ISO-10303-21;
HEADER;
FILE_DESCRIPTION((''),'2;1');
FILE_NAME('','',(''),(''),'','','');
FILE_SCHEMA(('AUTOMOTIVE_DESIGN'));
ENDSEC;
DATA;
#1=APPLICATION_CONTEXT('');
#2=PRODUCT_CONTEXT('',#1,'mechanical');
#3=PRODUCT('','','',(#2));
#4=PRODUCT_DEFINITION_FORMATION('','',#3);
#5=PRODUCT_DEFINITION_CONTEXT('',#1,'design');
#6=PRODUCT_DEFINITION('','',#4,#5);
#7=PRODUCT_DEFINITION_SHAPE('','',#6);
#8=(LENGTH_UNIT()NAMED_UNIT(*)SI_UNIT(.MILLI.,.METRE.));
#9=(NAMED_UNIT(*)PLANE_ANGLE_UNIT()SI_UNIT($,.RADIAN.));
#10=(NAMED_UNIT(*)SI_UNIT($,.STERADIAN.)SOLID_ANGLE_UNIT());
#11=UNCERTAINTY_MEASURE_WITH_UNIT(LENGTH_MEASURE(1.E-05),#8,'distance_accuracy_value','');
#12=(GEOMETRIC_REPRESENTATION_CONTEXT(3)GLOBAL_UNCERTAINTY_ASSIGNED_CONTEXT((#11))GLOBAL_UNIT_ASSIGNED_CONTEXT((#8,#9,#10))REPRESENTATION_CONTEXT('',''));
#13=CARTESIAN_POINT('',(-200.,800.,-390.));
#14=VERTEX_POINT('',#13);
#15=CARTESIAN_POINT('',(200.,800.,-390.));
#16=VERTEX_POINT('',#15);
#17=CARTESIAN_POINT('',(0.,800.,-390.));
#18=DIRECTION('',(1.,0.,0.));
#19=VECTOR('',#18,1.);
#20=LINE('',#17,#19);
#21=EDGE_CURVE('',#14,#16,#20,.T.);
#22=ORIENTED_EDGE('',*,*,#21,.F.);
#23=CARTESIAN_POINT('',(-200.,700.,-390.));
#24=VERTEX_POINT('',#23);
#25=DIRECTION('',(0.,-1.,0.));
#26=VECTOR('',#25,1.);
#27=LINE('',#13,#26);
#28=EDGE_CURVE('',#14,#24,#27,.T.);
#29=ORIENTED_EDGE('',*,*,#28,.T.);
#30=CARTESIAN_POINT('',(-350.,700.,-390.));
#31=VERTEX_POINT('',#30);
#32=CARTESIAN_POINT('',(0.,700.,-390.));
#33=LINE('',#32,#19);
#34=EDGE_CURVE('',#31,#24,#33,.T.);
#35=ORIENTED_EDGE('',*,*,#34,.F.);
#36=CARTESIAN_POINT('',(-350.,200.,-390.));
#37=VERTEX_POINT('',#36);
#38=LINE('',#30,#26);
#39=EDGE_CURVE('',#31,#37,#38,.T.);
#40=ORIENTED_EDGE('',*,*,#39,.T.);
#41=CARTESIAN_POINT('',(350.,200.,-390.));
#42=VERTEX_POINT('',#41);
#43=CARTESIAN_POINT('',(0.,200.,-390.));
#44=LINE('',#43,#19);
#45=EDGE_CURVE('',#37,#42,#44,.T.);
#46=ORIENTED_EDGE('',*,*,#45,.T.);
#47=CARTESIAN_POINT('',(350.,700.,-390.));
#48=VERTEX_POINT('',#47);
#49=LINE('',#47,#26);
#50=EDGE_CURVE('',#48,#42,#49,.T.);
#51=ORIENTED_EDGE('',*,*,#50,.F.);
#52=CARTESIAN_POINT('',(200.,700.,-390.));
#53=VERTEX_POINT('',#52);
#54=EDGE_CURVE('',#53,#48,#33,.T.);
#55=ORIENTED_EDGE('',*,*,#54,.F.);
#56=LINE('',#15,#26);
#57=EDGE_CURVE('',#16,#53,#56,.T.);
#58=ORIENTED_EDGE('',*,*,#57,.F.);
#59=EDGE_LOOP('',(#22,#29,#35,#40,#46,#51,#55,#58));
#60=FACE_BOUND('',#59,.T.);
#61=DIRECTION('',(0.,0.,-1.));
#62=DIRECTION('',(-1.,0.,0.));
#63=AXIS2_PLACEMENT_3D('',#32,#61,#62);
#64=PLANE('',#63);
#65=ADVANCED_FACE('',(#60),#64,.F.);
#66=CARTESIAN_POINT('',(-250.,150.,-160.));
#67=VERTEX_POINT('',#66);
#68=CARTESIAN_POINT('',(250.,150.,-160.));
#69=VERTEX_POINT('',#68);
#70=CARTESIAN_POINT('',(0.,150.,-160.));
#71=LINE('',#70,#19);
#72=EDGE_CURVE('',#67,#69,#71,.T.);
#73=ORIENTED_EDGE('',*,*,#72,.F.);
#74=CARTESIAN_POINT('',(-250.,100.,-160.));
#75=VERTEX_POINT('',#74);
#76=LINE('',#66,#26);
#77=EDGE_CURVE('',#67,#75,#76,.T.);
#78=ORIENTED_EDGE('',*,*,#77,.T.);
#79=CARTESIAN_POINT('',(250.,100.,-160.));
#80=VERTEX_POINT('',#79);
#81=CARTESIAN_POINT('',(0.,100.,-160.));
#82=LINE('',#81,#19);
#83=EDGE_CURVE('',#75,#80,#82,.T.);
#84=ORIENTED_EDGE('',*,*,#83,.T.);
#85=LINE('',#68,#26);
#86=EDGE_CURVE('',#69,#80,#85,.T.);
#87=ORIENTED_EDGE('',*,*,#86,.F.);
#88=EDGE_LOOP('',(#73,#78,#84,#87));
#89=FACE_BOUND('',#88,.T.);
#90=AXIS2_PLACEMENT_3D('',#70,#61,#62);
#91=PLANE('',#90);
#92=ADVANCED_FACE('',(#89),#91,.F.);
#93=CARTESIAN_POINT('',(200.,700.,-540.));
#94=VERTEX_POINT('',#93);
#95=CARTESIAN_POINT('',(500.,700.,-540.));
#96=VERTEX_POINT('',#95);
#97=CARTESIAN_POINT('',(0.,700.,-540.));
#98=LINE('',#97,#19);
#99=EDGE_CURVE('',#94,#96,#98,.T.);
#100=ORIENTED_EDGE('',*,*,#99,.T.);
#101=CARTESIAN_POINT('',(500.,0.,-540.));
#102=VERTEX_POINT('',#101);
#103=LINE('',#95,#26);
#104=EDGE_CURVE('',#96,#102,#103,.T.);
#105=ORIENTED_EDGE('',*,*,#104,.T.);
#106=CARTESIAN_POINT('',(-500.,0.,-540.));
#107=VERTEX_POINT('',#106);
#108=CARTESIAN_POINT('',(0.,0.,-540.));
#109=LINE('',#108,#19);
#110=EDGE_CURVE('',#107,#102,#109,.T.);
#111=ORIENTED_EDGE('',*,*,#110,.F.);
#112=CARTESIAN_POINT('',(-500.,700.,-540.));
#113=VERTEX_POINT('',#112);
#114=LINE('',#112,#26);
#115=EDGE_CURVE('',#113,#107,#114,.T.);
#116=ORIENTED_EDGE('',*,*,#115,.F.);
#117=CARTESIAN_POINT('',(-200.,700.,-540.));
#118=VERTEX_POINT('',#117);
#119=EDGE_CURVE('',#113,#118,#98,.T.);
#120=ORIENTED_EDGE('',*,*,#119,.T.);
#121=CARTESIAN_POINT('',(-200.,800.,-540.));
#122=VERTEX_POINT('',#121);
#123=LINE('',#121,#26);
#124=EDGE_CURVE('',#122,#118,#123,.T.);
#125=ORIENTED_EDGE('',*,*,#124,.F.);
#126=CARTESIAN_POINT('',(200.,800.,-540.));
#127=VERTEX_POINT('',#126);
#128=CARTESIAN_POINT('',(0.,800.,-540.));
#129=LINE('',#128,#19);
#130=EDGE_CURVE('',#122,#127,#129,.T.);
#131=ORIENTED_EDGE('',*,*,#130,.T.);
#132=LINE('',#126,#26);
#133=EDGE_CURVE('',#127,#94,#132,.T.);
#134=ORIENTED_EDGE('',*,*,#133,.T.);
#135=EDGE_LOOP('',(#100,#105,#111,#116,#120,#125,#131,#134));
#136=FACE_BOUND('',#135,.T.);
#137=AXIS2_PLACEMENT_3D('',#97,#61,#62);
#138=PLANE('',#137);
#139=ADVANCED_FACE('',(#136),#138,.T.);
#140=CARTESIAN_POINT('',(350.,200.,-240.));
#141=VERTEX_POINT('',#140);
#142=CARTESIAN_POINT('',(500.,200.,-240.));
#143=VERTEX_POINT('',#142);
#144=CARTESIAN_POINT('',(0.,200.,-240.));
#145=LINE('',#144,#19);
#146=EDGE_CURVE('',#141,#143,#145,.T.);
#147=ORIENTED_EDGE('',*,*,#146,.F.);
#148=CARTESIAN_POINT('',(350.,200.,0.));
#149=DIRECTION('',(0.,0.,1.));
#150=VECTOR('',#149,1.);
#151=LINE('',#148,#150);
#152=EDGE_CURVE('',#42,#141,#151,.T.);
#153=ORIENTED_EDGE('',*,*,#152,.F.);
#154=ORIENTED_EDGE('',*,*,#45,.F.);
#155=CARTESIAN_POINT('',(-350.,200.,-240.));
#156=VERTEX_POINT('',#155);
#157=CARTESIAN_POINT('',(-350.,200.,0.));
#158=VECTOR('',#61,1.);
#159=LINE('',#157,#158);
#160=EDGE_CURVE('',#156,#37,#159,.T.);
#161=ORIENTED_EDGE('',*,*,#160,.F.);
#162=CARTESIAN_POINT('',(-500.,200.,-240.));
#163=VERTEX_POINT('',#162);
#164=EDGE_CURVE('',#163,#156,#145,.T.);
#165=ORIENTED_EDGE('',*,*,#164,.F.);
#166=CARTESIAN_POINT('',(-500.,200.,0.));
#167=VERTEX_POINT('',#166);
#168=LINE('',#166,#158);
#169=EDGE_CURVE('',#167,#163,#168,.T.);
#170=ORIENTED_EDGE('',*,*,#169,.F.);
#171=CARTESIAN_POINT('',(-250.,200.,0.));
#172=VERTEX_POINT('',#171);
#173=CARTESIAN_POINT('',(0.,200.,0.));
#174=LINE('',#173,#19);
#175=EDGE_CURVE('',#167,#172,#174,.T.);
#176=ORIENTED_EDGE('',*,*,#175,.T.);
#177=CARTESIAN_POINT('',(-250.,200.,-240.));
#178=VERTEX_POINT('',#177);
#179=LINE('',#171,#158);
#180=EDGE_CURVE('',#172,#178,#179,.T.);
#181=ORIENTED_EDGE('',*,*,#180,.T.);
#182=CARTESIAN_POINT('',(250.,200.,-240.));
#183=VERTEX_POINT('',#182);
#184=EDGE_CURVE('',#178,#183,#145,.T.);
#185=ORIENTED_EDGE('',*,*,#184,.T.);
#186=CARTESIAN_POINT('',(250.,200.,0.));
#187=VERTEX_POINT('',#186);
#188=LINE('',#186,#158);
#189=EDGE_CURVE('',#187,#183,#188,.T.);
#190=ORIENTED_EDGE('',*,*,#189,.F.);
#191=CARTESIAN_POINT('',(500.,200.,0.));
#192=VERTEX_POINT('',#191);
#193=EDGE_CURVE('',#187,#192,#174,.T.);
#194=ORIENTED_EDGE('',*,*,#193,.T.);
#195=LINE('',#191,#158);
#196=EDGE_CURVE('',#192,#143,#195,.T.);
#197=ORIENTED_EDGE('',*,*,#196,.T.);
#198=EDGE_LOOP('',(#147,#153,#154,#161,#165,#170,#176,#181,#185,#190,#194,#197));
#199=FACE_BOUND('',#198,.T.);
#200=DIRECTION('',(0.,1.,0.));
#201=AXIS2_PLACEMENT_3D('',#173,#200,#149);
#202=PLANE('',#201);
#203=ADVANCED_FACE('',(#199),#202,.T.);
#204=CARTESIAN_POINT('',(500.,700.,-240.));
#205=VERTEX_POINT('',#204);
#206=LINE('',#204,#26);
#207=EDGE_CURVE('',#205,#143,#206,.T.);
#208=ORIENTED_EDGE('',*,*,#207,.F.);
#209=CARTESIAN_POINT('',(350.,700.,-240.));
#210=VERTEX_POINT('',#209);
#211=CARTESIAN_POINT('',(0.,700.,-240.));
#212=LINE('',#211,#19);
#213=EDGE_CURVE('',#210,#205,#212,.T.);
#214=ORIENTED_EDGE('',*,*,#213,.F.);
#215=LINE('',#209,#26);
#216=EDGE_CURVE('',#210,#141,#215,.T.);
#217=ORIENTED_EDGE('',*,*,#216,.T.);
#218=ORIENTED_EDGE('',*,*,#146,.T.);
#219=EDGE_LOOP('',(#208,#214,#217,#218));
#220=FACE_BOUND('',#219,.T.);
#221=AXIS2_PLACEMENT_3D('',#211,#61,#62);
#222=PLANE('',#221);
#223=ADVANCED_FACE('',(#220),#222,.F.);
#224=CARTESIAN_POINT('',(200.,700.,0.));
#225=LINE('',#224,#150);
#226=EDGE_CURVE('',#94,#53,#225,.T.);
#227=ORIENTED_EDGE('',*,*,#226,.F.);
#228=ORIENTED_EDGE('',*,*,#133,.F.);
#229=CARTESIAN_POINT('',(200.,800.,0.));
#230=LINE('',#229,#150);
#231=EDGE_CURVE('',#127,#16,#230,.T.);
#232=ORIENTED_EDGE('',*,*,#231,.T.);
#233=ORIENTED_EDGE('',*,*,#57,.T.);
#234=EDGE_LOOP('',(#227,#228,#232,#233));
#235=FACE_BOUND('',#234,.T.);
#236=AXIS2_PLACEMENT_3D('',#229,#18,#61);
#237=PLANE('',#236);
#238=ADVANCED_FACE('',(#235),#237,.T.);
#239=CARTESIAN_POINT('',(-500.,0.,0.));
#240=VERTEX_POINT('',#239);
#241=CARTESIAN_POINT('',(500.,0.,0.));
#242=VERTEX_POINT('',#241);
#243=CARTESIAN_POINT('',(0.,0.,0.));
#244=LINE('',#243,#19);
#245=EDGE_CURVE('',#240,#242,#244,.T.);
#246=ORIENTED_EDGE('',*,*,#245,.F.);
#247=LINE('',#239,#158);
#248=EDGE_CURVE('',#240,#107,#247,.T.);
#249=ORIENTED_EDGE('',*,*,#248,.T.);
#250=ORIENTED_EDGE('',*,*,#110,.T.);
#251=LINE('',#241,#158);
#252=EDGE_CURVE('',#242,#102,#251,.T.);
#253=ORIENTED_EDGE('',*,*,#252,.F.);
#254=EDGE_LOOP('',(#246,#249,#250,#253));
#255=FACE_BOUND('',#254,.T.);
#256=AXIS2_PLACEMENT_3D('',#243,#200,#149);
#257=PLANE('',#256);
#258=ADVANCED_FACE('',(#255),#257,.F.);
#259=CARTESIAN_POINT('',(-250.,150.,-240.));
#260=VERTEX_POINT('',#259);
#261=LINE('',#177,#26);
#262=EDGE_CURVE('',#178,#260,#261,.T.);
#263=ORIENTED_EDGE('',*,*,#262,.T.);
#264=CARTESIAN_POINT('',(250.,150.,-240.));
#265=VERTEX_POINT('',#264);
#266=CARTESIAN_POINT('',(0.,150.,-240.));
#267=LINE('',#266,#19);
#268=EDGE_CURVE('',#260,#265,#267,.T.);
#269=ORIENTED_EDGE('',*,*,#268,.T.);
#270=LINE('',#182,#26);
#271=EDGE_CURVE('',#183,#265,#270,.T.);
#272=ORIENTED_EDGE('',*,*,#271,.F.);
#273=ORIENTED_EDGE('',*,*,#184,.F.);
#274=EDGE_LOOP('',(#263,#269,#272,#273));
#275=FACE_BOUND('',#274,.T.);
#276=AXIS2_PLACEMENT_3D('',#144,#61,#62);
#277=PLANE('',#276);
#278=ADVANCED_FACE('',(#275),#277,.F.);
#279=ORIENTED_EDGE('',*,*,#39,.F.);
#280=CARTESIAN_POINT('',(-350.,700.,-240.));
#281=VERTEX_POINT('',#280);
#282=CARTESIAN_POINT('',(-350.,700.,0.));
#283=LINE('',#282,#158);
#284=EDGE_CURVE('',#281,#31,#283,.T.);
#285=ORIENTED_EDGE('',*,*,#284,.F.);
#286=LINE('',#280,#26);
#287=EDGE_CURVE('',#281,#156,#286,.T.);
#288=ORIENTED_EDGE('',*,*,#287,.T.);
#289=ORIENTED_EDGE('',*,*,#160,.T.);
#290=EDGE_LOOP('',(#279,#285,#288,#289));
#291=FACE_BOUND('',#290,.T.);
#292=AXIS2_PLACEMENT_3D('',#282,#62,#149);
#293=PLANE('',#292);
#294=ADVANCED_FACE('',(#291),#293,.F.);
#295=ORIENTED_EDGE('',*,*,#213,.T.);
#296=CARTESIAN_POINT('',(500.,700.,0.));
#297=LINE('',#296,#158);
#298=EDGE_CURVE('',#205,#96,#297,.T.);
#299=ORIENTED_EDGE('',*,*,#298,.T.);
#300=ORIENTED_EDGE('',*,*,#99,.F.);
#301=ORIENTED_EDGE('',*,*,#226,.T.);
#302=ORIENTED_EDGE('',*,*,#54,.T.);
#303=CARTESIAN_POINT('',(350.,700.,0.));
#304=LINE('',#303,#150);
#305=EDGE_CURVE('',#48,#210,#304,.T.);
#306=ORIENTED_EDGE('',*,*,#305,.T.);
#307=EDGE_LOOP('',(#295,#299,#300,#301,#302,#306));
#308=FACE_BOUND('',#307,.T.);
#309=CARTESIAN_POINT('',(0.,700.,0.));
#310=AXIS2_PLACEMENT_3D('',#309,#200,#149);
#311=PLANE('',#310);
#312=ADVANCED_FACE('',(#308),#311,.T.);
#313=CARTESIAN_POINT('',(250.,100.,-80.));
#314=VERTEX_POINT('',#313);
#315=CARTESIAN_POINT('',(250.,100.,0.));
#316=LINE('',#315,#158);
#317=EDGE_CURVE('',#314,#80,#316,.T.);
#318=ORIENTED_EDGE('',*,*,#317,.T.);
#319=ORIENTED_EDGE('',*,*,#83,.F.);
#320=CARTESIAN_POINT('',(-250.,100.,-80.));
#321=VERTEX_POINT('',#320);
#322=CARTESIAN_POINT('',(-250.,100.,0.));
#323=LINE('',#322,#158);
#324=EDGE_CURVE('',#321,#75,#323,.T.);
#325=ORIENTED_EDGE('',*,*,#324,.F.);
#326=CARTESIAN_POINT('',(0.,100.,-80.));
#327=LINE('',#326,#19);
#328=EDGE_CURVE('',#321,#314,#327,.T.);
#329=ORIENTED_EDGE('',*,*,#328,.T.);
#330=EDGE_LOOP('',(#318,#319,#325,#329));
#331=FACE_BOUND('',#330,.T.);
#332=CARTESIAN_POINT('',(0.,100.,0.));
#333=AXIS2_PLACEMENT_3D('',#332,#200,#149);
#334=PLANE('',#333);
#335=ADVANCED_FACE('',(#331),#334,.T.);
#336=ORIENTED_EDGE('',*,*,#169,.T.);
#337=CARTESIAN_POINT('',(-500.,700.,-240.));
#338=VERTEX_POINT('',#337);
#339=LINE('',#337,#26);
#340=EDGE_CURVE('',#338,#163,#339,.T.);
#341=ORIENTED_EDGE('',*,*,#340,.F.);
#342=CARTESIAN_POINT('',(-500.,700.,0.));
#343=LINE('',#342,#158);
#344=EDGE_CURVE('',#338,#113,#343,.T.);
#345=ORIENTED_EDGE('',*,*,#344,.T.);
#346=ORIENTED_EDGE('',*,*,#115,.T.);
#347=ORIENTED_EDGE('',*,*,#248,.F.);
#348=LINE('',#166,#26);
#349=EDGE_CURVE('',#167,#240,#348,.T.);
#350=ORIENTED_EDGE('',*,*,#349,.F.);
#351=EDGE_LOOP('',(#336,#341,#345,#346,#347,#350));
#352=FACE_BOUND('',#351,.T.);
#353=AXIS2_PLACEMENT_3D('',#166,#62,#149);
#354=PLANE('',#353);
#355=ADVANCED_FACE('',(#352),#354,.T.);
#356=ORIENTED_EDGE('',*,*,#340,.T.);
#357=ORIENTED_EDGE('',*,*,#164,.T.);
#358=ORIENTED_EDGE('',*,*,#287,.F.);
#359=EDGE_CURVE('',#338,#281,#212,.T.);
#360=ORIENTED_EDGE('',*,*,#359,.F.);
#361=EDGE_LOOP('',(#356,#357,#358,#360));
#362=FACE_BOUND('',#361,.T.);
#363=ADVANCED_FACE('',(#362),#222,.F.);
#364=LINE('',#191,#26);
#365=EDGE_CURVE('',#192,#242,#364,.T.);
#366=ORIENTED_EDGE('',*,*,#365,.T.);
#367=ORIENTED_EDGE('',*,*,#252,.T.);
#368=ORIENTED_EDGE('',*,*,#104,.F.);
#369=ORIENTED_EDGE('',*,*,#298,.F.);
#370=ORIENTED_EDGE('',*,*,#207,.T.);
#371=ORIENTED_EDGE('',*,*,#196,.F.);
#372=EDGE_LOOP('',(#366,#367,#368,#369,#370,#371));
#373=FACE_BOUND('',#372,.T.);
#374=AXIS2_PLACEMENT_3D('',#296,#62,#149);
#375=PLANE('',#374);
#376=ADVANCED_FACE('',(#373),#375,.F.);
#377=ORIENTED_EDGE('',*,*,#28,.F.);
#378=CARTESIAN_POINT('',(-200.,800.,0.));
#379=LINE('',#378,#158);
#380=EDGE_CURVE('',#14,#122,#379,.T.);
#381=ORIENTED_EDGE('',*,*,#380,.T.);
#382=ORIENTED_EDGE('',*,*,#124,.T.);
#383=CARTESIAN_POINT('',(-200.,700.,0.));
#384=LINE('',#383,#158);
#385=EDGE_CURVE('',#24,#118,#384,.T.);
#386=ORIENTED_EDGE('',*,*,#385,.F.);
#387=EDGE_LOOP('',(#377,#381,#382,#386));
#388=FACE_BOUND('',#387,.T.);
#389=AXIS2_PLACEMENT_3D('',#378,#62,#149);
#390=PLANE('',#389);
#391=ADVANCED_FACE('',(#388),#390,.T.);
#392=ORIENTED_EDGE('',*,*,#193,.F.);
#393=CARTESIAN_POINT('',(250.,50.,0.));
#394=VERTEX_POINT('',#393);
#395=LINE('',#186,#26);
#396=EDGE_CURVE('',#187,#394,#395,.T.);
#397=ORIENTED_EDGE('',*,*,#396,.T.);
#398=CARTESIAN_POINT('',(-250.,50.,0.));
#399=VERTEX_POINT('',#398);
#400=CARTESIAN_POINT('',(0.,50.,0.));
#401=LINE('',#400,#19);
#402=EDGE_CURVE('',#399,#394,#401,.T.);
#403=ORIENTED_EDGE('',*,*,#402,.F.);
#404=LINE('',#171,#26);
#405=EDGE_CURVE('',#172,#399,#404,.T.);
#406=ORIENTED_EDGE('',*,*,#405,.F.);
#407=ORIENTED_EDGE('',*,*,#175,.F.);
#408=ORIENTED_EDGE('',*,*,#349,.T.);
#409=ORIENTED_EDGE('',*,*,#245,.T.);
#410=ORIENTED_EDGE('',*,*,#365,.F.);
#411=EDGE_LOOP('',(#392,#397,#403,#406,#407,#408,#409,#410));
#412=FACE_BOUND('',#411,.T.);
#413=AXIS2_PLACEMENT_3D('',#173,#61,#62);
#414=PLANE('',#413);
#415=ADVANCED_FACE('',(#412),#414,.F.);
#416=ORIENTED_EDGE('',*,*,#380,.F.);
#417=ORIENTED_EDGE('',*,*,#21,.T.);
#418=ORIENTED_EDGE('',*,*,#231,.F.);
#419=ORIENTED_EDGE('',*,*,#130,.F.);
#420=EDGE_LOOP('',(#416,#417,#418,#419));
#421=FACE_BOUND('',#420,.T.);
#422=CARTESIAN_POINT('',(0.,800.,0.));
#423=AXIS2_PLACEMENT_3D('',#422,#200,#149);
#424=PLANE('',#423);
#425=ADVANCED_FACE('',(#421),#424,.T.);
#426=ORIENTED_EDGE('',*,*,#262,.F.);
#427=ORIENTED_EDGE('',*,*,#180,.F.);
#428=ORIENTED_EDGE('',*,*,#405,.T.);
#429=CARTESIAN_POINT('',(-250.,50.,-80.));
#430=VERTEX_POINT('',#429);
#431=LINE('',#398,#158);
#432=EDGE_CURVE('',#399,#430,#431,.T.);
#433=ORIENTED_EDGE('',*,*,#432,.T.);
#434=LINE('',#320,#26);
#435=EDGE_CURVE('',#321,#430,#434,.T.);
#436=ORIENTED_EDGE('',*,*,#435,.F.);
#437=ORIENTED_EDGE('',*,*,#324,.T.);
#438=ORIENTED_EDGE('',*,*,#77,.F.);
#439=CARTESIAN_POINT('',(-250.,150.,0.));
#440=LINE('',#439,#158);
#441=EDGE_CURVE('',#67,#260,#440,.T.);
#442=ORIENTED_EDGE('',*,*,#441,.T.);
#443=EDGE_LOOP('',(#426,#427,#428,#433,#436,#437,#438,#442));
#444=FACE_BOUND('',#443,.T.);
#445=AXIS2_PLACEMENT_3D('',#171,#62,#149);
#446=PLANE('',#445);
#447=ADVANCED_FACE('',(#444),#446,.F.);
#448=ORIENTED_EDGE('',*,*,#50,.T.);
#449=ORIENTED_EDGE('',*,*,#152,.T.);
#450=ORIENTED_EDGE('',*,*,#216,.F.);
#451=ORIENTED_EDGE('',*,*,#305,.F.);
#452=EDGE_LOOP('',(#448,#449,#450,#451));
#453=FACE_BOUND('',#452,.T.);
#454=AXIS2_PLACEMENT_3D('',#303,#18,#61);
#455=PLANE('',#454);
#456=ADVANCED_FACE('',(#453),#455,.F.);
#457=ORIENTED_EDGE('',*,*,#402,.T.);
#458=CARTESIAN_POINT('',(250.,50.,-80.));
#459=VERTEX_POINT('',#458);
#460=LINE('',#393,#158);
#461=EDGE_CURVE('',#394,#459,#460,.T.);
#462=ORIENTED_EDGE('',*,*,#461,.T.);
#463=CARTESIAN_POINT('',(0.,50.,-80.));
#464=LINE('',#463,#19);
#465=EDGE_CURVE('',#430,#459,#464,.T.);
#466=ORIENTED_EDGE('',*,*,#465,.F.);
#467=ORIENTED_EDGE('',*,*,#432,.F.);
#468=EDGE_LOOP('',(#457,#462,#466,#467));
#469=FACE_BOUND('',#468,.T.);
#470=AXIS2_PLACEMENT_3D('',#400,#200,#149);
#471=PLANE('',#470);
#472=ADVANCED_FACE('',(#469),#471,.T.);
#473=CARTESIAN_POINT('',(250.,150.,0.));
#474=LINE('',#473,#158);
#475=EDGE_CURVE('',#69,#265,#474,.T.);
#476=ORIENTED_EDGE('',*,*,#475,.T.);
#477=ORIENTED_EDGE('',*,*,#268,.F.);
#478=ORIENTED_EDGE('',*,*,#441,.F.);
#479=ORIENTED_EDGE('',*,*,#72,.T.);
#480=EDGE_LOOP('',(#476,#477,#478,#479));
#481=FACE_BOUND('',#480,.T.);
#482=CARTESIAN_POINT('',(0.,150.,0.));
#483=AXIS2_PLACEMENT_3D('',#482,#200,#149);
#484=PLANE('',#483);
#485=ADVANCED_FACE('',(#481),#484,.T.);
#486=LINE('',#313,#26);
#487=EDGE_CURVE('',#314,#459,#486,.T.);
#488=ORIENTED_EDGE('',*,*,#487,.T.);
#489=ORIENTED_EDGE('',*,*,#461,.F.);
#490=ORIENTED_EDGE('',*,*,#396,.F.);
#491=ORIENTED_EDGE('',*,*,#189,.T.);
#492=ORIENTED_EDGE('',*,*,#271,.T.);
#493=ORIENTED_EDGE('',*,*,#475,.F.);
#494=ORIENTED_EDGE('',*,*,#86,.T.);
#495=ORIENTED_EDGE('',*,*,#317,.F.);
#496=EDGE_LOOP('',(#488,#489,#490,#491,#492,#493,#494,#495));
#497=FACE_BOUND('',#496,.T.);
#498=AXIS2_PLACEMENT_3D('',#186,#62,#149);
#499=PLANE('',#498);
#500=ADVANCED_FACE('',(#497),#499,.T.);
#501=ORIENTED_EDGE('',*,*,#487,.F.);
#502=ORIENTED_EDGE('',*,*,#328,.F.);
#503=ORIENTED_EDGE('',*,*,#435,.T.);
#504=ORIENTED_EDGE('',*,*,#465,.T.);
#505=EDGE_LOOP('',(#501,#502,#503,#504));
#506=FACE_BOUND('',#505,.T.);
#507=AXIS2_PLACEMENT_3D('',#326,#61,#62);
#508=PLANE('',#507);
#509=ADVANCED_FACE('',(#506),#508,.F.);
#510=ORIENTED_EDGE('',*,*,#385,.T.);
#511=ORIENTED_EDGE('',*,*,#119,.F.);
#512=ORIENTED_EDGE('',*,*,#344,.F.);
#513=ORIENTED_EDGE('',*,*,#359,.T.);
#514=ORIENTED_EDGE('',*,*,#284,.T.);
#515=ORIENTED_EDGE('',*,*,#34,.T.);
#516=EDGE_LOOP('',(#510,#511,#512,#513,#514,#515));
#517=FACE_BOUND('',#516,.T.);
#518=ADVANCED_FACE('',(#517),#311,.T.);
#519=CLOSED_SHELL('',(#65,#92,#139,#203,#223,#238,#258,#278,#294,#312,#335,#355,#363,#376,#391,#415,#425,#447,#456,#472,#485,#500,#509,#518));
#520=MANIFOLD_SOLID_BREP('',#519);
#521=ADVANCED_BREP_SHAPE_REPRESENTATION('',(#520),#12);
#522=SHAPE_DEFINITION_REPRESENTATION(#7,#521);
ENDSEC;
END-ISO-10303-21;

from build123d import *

# Parameters (mm, degrees)
BOSS_EXTRUDE1_DEPTH   = 700
BOSS_EXTRUDE1_2_DEPTH = 700
BOSS_EXTRUDE2_DEPTH   = 200
SKETCH1_4_W           = 400
SKETCH1_4_H           = 150
BOSS_EXTRUDE3_DEPTH   = 800
SKETCH1_5_W           = 500
SKETCH1_5_H           = 80
BOSS_EXTRUDE4_DEPTH   = 150
SKETCH1_6_W           = 500
SKETCH1_6_H           = 80
BOSS_EXTRUDE5_DEPTH   = 100
SKETCH1_7_W           = 500
SKETCH1_7_H           = 80
BOSS_EXTRUDE6_DEPTH   = 50


with BuildPart() as part:
    # Sketch1 → Boss-Extrude1 (new body)
    with BuildSketch(Plane(origin=(0, 0, 0), x_dir=(1, 0, 0), z_dir=(0, 1, 0))):
        Polygon((-500, 540), (-500, 240), (-350, 240), (-350, 390), (-200, 390), (-200, 540), align=None)
    extrude(amount=BOSS_EXTRUDE1_DEPTH)



with BuildPart() as body_2:
    # Sketch1 → Boss-Extrude1 2 (new body)
    with BuildSketch(Plane(origin=(0, 0, 0), x_dir=(1, 0, 0), z_dir=(0, 1, 0))):
        Polygon((350, 240), (500, 240), (500, 540), (200, 540), (200, 390), (350, 390), align=None)
    extrude(amount=BOSS_EXTRUDE1_2_DEPTH)


with BuildPart() as part_1:
    add(part.part)

    add(body_2.part)  # Boss-Extrude2 merges body 2
    # Sketch1<3> → Boss-Extrude2 (add)
    with BuildSketch(Plane(origin=(0, 0, 0), x_dir=(1, 0, 0), z_dir=(0, 1, 0))):
        Polygon((-500, 240), (-500, 0), (-250, 0), (-250, 80), (-250, 160), (-250, 240), (250, 240), (250, 160), (250, 80), (250, 0), (500, 0), (500, 240), (350, 240), (350, 390), (200, 390), (-200, 390), (-350, 390), (-350, 240), align=None)
    extrude(amount=BOSS_EXTRUDE2_DEPTH)

    # Sketch1<4> → Boss-Extrude3 (add)
    with BuildSketch(Plane(origin=(0, 0, 0), x_dir=(1, 0, 0), z_dir=(0, 1, 0))):
        with Locations((0, 465)):
            Rectangle(SKETCH1_4_W, SKETCH1_4_H)
    extrude(amount=BOSS_EXTRUDE3_DEPTH)

    # Sketch1<5> → Boss-Extrude4 (add)
    with BuildSketch(Plane(origin=(0, 0, 0), x_dir=(1, 0, 0), z_dir=(0, 1, 0))):
        with Locations((0, 200)):
            Rectangle(SKETCH1_5_W, SKETCH1_5_H)
    extrude(amount=BOSS_EXTRUDE4_DEPTH)

    # Sketch1<6> → Boss-Extrude5 (add)
    with BuildSketch(Plane(origin=(0, 0, 0), x_dir=(1, 0, 0), z_dir=(0, 1, 0))):
        with Locations((0, 120)):
            Rectangle(SKETCH1_6_W, SKETCH1_6_H)
    extrude(amount=BOSS_EXTRUDE5_DEPTH)

    # Sketch1<7> → Boss-Extrude6 (add)
    with BuildSketch(Plane(origin=(0, 0, 0), x_dir=(1, 0, 0), z_dir=(0, 1, 0))):
        with Locations((0, 40)):
            Rectangle(SKETCH1_7_W, SKETCH1_7_H)
    extrude(amount=BOSS_EXTRUDE6_DEPTH)


solid = part_1.part
